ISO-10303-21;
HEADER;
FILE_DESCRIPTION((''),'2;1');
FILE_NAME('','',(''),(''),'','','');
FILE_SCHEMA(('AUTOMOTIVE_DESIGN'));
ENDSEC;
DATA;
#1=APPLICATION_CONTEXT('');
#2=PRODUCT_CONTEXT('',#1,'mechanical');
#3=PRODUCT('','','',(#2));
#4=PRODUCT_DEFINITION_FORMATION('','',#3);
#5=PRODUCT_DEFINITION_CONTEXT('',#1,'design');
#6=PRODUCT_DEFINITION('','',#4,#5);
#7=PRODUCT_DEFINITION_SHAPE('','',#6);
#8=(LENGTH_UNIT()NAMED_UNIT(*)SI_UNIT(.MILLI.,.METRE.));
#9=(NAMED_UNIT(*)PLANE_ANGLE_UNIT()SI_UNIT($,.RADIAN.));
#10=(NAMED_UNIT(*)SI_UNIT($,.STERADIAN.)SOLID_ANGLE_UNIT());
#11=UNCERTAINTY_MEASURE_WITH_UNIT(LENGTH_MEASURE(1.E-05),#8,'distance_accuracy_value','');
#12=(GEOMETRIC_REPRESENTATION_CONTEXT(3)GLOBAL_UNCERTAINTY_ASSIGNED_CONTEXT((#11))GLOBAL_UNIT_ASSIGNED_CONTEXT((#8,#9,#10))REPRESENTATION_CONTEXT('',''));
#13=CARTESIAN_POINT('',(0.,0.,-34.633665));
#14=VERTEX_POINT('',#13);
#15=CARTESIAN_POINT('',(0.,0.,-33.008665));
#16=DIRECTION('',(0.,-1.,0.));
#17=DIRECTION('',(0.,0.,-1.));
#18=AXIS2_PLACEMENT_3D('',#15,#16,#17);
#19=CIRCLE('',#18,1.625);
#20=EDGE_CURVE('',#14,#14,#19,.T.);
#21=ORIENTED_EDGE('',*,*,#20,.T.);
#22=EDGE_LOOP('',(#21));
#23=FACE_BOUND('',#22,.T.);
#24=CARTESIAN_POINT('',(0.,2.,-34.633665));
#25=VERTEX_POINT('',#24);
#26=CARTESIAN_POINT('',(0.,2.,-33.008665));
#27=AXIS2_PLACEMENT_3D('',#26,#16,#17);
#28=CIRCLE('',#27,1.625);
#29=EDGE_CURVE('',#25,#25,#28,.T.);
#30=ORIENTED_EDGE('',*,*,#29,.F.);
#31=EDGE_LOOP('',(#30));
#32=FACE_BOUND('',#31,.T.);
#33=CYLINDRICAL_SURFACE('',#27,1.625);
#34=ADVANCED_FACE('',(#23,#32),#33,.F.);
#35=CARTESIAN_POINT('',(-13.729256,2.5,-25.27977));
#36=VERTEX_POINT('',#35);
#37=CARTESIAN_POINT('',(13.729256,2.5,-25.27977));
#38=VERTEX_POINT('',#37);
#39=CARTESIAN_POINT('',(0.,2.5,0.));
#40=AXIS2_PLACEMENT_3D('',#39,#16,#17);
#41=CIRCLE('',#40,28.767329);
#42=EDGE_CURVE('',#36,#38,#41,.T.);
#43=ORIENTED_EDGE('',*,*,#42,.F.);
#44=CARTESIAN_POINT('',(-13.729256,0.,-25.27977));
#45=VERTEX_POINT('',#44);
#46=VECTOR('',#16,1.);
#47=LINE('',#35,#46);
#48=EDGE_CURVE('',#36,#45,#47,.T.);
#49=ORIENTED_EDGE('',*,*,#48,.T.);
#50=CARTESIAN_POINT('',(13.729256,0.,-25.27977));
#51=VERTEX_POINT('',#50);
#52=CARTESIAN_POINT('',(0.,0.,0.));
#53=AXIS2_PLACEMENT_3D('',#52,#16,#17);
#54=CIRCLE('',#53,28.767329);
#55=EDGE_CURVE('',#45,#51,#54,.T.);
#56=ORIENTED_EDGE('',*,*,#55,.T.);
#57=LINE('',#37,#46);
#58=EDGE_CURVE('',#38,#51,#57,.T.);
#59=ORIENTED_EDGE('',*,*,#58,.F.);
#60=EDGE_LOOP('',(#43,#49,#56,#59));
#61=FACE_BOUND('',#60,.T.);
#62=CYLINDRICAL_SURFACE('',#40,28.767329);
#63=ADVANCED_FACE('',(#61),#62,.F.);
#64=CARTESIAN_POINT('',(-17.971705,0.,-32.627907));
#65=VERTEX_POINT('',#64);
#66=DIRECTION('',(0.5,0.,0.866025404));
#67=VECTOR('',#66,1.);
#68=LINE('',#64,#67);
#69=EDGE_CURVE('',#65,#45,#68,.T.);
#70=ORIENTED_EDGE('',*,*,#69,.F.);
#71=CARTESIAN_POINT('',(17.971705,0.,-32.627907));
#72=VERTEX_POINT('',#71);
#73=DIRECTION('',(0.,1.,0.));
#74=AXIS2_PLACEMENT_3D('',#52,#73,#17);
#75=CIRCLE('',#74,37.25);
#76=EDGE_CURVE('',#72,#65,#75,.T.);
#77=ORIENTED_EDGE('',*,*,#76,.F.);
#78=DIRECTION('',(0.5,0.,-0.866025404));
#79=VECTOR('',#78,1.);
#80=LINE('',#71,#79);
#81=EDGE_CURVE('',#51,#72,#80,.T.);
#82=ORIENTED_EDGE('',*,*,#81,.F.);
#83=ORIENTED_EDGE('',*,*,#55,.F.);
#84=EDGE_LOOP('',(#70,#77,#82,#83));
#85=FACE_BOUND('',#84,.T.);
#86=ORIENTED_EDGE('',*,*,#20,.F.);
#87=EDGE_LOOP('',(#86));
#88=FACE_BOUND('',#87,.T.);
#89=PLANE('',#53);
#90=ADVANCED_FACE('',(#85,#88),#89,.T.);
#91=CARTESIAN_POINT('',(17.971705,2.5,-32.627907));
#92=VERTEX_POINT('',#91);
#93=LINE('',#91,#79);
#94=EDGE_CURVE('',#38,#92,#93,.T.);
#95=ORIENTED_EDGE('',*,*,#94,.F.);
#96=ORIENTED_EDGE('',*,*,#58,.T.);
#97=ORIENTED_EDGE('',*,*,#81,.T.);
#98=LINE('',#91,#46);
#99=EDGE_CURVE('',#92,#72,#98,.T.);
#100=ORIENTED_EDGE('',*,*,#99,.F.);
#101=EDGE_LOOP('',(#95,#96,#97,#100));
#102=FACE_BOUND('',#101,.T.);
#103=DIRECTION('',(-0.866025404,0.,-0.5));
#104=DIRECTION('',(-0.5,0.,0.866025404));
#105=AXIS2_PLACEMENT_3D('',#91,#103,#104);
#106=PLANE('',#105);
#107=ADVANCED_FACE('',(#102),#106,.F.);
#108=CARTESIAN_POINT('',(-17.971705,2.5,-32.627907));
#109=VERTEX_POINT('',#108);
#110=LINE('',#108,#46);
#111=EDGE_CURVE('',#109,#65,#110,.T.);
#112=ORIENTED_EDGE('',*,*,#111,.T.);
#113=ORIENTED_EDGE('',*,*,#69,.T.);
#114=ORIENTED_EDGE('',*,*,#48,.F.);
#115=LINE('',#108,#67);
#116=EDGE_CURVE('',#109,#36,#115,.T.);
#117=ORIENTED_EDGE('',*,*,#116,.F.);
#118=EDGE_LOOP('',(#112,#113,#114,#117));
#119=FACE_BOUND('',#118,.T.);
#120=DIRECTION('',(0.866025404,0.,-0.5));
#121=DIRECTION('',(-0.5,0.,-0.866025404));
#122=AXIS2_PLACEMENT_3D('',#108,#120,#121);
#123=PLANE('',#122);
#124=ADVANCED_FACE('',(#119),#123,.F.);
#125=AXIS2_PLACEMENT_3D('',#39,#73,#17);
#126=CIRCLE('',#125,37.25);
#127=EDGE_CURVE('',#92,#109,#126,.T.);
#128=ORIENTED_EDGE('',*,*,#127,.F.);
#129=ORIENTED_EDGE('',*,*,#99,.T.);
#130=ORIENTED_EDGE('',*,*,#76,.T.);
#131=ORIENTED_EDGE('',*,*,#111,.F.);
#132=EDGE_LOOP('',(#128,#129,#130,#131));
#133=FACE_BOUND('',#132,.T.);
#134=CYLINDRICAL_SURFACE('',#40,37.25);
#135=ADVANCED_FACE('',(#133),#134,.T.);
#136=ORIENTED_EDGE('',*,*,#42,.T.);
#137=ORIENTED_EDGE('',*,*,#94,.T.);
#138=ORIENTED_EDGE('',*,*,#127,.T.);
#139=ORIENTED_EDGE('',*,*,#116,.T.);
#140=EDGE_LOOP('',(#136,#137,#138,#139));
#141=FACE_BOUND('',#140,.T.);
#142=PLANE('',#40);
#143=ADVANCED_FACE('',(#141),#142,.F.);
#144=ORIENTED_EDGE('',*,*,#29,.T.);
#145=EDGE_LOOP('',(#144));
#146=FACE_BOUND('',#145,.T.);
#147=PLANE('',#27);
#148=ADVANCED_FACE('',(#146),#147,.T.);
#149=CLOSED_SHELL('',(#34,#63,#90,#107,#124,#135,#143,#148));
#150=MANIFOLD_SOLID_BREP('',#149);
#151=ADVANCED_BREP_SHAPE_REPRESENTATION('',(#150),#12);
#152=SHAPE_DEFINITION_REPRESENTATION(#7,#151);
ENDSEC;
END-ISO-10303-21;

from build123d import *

# Parameters (mm, degrees)
BOSS_EXTRUDE1_DEPTH = 2.5
SKETCH2_R           = 1.625
CUT_EXTRUDE1_DEPTH  = 2


with BuildPart() as part:
    # Sketch1 → Boss-Extrude1 (new body)
    with BuildSketch(Plane(origin=(0, 0, 0), x_dir=(1, 0, 0), z_dir=(0, 1, 0))):
        with BuildLine():
            Line((-17.971705397, 32.627906846), (-13.729256498, 25.279769804))
            ThreePointArc((-13.729256498, 25.279769804), (0, 28.767329478), (13.729256498, 25.279769804))
            Line((13.729256498, 25.279769804), (17.971705397, 32.627906846))
            ThreePointArc((17.971705397, 32.627906846), (0, 37.25), (-17.971705397, 32.627906846))
        make_face()
    extrude(amount=BOSS_EXTRUDE1_DEPTH)

    # Sketch2 → Cut-Extrude1 (cut)
    with BuildSketch(Plane.XZ):
        with Locations(Location((0, -33.008664739, 0), (0, 0, 270))):
            Circle(SKETCH2_R)
    extrude(amount=-CUT_EXTRUDE1_DEPTH, mode=Mode.SUBTRACT)


solid = part.part
